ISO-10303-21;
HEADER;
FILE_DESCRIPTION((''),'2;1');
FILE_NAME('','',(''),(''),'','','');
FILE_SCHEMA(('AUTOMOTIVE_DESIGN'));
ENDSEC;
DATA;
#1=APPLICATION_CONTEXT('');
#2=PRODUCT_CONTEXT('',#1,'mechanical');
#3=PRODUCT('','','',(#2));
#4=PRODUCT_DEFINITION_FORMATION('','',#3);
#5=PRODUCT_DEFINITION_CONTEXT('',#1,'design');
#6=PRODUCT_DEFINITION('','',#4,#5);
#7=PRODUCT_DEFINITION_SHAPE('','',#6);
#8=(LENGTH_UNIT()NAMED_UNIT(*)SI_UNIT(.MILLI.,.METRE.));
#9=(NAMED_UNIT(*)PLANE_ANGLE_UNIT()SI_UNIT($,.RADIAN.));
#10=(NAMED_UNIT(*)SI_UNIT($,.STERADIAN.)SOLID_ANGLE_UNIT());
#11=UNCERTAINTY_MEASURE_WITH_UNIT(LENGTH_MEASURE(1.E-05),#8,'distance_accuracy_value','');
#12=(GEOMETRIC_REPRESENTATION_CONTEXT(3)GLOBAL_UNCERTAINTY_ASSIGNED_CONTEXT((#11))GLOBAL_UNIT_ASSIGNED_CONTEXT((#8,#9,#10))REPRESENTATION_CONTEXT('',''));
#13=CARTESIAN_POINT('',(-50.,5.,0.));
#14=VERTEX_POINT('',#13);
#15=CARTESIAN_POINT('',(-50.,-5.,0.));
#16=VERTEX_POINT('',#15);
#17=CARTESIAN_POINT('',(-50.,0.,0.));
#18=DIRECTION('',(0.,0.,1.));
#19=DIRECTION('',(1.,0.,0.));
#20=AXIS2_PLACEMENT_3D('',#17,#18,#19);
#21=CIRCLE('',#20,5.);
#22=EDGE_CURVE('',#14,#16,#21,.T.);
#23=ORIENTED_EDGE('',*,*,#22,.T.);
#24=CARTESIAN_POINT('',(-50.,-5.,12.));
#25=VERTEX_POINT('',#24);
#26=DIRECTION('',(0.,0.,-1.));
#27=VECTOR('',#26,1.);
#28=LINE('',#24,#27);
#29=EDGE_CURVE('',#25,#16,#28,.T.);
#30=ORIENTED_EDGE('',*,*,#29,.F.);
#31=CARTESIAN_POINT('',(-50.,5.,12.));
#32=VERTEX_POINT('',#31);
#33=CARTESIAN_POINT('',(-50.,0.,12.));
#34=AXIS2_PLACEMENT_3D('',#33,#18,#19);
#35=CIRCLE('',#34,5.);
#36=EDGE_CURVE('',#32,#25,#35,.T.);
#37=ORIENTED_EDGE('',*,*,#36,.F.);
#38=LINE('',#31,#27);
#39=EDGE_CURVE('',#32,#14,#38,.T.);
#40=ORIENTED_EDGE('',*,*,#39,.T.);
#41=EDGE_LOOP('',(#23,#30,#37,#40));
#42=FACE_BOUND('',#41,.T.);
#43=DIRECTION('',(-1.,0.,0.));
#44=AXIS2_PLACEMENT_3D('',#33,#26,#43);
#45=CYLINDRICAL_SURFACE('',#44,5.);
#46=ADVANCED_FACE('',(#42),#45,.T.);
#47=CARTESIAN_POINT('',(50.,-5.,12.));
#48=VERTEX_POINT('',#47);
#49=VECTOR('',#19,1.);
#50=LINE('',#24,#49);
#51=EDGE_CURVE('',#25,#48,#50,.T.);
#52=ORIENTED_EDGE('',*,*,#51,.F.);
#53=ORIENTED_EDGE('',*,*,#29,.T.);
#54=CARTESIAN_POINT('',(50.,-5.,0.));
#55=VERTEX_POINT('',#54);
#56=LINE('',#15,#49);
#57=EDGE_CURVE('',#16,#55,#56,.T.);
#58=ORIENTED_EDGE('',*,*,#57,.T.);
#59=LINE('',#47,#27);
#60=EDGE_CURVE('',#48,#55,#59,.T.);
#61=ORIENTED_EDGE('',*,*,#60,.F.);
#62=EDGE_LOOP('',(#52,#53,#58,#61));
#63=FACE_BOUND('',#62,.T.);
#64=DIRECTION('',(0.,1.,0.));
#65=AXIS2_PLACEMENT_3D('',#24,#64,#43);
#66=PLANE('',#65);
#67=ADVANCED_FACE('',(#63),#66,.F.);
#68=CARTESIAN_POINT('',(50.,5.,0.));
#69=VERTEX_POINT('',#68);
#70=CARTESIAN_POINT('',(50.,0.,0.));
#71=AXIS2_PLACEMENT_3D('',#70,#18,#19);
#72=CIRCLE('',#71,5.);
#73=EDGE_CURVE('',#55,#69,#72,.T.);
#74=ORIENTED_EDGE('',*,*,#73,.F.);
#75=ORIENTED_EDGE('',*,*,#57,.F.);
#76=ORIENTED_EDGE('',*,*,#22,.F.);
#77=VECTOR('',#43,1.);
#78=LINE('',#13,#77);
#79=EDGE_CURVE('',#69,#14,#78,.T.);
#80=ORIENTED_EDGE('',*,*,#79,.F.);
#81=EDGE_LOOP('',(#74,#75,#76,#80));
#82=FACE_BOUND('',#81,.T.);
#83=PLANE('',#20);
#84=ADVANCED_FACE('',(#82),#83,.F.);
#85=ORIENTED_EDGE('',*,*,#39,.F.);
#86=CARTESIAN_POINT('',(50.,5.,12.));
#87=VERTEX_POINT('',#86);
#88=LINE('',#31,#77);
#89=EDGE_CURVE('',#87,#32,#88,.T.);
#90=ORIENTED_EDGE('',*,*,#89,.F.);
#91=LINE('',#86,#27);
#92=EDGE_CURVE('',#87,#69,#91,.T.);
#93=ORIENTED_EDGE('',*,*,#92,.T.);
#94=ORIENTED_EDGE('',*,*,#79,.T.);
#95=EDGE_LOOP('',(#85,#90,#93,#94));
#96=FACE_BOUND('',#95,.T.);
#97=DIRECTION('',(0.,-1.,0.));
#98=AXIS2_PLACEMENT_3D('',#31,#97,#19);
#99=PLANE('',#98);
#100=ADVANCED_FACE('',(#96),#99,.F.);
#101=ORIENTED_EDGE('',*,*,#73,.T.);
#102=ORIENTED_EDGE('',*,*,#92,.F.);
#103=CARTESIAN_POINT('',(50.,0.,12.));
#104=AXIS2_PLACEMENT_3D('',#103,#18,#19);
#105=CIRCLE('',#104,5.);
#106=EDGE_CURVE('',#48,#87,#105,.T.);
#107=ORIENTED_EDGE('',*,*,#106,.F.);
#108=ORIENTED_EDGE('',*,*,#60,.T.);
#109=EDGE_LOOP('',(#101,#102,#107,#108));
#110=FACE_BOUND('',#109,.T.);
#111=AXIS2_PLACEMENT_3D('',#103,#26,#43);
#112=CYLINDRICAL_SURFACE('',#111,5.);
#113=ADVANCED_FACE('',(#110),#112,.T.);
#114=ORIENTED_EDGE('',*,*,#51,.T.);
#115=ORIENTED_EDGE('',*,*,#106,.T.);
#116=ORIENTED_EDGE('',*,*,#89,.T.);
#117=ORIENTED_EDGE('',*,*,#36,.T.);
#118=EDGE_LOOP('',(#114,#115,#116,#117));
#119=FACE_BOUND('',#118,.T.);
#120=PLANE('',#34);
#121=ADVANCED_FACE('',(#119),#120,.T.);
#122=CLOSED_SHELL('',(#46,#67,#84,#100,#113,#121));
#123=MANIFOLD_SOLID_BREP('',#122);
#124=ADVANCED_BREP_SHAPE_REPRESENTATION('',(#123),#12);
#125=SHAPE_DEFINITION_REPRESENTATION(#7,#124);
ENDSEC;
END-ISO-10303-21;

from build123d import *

# Parameters (mm, degrees)
EXTRUDE_1_DEPTH = 12


with BuildPart() as part:
    # 草图1 → 凸台-拉伸1 (new body)
    with BuildSketch(Plane.XY):
        with BuildLine():
            Line((-50, 5), (50, 5))
            ThreePointArc((50, 5), (55, 0), (50, -5))
            Line((50, -5), (-50, -5))
            ThreePointArc((-50, -5), (-55, 0), (-50, 5))
        make_face()
    extrude(amount=EXTRUDE_1_DEPTH)


solid = part.part
